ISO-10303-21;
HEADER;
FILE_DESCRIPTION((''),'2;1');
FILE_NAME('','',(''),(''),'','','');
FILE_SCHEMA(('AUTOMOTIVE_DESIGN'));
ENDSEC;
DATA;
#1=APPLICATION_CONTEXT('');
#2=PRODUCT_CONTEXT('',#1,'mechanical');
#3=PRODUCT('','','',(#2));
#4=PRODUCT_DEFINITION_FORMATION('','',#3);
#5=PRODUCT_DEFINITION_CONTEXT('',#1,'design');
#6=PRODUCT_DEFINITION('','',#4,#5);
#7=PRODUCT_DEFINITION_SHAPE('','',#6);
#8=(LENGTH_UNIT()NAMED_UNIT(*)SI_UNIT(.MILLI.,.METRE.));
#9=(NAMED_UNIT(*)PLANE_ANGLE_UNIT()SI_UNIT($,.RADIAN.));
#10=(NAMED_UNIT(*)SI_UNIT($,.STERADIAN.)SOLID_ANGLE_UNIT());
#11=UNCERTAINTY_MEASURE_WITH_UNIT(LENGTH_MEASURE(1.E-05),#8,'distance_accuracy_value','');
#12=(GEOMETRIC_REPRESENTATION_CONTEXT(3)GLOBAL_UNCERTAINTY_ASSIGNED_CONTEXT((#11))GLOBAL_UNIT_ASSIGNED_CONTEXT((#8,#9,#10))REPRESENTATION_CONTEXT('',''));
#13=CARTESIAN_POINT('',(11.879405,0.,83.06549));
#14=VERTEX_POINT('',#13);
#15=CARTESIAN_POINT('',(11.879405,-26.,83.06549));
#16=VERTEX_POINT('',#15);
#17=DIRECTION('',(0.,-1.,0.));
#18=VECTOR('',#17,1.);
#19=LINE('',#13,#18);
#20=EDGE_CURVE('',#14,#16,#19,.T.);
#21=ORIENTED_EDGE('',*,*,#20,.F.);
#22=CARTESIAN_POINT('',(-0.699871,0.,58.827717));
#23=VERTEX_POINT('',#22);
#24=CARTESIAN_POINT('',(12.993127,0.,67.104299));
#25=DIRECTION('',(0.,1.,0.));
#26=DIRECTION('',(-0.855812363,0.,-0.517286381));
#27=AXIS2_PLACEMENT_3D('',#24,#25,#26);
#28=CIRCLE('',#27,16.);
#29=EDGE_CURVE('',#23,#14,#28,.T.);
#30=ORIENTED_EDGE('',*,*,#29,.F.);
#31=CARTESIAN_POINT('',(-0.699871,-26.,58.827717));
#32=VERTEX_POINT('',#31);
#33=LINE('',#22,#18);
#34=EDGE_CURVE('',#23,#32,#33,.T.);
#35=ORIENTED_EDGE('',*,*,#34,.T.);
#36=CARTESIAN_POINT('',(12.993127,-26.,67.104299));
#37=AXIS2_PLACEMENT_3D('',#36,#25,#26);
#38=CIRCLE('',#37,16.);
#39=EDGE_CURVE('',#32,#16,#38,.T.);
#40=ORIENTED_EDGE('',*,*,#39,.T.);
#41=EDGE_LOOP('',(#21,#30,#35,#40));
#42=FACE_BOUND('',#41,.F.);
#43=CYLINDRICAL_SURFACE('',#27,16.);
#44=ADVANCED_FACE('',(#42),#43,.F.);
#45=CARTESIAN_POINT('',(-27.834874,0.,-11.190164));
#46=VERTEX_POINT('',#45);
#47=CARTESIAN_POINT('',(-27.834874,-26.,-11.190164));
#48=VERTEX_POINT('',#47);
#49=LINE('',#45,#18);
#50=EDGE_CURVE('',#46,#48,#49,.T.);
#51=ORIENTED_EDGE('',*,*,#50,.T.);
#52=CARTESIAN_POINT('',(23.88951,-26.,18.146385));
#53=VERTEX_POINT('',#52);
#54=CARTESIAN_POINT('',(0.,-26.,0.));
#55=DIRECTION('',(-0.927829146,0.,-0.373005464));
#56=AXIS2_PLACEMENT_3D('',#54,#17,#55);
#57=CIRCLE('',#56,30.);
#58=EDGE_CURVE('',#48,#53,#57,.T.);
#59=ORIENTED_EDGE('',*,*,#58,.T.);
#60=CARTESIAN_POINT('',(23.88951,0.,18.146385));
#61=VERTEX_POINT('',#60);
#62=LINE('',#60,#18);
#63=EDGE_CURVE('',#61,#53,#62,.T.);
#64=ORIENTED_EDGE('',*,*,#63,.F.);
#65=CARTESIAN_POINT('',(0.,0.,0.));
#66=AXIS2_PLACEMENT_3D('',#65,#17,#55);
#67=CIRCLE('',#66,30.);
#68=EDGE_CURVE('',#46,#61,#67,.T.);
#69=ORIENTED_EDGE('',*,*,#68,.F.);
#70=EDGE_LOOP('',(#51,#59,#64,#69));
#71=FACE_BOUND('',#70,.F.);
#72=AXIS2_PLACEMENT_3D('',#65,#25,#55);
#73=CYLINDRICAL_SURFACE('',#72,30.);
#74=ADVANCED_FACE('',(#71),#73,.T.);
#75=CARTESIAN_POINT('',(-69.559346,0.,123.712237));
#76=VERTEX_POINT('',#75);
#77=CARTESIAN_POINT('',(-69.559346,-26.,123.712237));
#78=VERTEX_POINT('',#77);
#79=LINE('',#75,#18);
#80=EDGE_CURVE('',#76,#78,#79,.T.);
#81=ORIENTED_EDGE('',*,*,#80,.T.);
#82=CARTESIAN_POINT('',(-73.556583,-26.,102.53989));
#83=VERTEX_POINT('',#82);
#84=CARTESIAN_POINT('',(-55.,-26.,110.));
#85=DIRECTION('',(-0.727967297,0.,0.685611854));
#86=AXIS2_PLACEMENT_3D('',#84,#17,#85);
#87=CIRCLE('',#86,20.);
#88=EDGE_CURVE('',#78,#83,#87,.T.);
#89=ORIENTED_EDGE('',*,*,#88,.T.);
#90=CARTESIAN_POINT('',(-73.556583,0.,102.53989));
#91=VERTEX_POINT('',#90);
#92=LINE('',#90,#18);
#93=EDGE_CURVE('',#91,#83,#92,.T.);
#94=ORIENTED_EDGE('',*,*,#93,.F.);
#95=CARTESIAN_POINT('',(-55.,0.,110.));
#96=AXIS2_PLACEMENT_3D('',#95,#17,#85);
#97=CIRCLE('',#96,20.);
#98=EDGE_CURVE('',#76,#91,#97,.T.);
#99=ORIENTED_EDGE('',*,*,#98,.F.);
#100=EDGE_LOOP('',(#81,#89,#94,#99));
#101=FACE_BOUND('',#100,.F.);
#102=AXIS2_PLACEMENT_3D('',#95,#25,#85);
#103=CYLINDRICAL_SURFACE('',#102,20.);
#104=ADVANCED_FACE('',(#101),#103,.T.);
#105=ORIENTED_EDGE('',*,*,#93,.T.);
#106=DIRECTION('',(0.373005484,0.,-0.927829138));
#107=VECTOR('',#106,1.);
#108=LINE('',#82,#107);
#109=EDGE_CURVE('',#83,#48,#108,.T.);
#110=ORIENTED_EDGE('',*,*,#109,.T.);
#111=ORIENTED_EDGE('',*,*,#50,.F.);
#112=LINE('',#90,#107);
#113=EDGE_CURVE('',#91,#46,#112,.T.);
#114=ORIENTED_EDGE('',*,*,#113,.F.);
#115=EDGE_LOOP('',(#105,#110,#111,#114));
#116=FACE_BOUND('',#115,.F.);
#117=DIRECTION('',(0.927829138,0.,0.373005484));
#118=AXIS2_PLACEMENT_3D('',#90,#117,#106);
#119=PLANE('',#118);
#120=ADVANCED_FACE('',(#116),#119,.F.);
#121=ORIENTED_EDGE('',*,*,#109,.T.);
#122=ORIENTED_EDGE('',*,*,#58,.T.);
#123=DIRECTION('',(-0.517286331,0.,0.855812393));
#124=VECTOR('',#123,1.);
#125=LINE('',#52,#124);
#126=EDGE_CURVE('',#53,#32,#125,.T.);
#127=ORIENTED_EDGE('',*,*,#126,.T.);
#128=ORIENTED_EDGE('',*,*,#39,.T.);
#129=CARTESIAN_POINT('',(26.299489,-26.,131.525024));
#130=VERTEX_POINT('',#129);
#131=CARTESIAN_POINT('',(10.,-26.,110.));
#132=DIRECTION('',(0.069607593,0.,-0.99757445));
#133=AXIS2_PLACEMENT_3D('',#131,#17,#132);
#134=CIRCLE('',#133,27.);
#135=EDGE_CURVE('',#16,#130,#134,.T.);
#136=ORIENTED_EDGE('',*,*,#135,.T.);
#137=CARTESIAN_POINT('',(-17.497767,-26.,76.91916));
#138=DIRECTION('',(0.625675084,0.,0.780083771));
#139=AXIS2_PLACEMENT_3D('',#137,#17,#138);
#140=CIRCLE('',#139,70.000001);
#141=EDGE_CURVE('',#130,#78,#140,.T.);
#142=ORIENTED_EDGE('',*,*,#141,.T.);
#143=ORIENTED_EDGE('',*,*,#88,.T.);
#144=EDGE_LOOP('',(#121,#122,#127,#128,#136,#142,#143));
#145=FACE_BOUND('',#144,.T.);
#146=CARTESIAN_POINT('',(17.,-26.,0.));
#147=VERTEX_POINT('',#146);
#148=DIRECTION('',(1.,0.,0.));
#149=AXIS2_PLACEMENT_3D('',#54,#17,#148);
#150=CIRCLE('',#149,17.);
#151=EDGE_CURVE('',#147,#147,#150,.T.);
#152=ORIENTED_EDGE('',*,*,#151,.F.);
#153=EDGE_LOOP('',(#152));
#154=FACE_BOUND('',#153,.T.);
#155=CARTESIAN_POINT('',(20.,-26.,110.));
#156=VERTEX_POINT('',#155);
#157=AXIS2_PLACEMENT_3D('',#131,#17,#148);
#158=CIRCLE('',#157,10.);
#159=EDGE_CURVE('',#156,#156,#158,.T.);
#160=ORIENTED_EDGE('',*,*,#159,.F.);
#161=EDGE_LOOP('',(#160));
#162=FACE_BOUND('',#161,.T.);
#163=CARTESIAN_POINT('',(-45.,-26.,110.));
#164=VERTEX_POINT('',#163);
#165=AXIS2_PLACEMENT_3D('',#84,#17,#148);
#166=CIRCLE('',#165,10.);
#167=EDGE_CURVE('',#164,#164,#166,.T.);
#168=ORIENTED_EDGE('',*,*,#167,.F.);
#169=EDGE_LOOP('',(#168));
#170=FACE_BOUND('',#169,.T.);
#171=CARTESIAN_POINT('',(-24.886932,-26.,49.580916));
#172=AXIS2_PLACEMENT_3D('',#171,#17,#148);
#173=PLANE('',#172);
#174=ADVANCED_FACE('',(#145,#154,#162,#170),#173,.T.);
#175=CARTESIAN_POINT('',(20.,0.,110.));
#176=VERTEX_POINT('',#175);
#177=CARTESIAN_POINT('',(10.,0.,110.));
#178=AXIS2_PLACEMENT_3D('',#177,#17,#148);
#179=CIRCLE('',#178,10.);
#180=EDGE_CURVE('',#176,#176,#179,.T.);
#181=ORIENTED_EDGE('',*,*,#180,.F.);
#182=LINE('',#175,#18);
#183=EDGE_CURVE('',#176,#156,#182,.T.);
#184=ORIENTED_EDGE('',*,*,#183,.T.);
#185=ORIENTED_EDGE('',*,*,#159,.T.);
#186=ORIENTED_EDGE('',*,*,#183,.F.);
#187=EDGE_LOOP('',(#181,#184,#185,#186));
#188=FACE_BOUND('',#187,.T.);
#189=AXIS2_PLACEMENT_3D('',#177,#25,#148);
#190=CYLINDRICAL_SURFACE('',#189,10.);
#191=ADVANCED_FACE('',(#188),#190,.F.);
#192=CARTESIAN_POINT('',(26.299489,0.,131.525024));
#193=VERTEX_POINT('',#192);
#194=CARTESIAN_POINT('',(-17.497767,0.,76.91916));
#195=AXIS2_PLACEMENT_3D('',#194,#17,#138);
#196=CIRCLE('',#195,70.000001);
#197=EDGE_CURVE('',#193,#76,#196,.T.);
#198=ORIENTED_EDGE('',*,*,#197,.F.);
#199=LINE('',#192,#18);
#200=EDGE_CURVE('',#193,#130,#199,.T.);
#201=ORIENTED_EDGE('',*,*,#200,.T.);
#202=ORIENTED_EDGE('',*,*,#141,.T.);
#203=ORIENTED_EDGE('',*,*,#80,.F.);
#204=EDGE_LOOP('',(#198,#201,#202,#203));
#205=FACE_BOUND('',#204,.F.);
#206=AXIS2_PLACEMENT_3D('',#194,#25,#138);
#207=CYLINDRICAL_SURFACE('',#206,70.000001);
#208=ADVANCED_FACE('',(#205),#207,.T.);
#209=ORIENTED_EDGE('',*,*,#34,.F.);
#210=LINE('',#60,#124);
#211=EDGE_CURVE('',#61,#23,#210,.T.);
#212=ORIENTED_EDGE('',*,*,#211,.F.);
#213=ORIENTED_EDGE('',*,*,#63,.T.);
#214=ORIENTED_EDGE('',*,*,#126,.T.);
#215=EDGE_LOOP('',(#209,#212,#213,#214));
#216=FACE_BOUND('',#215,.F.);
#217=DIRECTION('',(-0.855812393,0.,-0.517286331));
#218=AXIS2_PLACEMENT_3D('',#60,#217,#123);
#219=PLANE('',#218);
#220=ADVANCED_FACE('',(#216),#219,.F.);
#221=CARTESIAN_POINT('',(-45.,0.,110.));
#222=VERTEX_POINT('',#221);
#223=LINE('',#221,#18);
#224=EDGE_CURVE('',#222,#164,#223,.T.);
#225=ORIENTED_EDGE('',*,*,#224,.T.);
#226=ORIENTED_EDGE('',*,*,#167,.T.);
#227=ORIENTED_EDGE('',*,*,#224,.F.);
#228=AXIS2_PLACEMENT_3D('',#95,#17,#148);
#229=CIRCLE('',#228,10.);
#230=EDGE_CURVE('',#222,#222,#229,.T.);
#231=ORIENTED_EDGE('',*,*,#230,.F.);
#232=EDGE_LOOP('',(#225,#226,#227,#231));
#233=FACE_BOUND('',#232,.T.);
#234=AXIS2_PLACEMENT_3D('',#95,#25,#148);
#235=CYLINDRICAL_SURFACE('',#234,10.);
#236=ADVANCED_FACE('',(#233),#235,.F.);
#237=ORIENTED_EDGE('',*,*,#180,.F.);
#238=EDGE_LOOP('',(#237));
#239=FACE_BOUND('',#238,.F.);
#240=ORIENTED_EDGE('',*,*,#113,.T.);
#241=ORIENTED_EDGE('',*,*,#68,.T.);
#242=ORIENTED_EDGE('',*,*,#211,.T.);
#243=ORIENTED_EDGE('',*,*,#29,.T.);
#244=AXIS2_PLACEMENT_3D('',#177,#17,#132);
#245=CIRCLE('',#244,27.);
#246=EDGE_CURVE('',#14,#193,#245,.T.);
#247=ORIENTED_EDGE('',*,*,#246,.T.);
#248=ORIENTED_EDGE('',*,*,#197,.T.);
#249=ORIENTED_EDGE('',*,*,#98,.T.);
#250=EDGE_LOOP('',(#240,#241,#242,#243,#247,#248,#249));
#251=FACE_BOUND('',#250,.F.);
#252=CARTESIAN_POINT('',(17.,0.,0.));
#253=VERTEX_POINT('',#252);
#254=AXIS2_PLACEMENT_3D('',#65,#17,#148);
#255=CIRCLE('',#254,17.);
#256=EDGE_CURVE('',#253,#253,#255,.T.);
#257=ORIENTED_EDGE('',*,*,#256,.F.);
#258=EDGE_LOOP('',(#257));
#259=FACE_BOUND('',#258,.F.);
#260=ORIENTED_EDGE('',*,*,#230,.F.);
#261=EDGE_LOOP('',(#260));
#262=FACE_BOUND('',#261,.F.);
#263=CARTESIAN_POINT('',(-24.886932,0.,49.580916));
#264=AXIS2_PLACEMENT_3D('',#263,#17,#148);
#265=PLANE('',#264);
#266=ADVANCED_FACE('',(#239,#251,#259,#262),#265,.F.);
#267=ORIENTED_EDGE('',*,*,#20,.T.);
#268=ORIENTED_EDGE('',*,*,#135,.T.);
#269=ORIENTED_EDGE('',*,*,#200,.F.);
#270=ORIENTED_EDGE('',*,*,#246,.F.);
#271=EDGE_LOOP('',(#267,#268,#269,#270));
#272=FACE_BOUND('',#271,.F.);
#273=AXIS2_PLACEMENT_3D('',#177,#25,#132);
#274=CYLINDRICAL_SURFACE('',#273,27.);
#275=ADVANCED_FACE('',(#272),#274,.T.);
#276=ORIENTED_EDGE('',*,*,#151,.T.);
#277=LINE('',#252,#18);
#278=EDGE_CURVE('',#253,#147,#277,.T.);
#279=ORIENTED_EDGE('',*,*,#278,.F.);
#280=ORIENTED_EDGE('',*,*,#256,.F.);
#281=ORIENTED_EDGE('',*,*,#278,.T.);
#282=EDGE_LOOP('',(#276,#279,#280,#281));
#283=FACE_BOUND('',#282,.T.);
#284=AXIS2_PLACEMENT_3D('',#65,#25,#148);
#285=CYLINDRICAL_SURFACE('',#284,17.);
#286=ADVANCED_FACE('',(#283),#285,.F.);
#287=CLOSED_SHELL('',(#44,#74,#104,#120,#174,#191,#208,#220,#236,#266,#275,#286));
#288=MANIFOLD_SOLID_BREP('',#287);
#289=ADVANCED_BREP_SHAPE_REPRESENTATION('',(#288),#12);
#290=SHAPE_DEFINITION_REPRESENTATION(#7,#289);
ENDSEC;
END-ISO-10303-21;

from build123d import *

# Parameters (mm, degrees)
F0_R     = 17
F0_R_2   = 10
F1_DEPTH = 26


with BuildPart() as f1:
    # F0 (on Front) → F1 (new body)
    with BuildSketch(Plane.XZ):
        with BuildLine():
            Line((-73.556583, 102.53989), (-27.834874, -11.190164))
            ThreePointArc((-27.834874, -11.190164), (14.80033, -26.095023), (23.88951, 18.146385))
            Line((23.88951, 18.146385), (-0.699871, 58.827717))
            Line((-0.699871, 58.827717), (-37.883752, 120.345727))
            ThreePointArc((-37.883752, 120.345727), (-52.886286, 129.887992), (-69.559346, 123.712237))
            ThreePointArc((-69.559346, 123.712237), (-74.652818, 113.710357), (-73.556583, 102.53989))
        make_face()
        Circle(F0_R, mode=Mode.SUBTRACT)
        with Locations((-55, 110)):
            Circle(F0_R_2, mode=Mode.SUBTRACT)
        with BuildLine():
            Line((-37.883752, 120.345727), (-0.699871, 58.827717))
            ThreePointArc((-0.699871, 58.827717), (-1.208181, 74.474703), (11.879405, 83.06549))
            ThreePointArc((11.879405, 83.06549), (35.878556, 102.299329), (26.299489, 131.525024))
            ThreePointArc((26.299489, 131.525024), (-23.184125, 146.687816), (-69.559346, 123.712237))
            ThreePointArc((-69.559346, 123.712237), (-52.886286, 129.887992), (-37.883752, 120.345727))
        make_face()
        with Locations((10, 110)):
            Circle(F0_R_2, mode=Mode.SUBTRACT)
    extrude(amount=F1_DEPTH)


solid = f1.part
